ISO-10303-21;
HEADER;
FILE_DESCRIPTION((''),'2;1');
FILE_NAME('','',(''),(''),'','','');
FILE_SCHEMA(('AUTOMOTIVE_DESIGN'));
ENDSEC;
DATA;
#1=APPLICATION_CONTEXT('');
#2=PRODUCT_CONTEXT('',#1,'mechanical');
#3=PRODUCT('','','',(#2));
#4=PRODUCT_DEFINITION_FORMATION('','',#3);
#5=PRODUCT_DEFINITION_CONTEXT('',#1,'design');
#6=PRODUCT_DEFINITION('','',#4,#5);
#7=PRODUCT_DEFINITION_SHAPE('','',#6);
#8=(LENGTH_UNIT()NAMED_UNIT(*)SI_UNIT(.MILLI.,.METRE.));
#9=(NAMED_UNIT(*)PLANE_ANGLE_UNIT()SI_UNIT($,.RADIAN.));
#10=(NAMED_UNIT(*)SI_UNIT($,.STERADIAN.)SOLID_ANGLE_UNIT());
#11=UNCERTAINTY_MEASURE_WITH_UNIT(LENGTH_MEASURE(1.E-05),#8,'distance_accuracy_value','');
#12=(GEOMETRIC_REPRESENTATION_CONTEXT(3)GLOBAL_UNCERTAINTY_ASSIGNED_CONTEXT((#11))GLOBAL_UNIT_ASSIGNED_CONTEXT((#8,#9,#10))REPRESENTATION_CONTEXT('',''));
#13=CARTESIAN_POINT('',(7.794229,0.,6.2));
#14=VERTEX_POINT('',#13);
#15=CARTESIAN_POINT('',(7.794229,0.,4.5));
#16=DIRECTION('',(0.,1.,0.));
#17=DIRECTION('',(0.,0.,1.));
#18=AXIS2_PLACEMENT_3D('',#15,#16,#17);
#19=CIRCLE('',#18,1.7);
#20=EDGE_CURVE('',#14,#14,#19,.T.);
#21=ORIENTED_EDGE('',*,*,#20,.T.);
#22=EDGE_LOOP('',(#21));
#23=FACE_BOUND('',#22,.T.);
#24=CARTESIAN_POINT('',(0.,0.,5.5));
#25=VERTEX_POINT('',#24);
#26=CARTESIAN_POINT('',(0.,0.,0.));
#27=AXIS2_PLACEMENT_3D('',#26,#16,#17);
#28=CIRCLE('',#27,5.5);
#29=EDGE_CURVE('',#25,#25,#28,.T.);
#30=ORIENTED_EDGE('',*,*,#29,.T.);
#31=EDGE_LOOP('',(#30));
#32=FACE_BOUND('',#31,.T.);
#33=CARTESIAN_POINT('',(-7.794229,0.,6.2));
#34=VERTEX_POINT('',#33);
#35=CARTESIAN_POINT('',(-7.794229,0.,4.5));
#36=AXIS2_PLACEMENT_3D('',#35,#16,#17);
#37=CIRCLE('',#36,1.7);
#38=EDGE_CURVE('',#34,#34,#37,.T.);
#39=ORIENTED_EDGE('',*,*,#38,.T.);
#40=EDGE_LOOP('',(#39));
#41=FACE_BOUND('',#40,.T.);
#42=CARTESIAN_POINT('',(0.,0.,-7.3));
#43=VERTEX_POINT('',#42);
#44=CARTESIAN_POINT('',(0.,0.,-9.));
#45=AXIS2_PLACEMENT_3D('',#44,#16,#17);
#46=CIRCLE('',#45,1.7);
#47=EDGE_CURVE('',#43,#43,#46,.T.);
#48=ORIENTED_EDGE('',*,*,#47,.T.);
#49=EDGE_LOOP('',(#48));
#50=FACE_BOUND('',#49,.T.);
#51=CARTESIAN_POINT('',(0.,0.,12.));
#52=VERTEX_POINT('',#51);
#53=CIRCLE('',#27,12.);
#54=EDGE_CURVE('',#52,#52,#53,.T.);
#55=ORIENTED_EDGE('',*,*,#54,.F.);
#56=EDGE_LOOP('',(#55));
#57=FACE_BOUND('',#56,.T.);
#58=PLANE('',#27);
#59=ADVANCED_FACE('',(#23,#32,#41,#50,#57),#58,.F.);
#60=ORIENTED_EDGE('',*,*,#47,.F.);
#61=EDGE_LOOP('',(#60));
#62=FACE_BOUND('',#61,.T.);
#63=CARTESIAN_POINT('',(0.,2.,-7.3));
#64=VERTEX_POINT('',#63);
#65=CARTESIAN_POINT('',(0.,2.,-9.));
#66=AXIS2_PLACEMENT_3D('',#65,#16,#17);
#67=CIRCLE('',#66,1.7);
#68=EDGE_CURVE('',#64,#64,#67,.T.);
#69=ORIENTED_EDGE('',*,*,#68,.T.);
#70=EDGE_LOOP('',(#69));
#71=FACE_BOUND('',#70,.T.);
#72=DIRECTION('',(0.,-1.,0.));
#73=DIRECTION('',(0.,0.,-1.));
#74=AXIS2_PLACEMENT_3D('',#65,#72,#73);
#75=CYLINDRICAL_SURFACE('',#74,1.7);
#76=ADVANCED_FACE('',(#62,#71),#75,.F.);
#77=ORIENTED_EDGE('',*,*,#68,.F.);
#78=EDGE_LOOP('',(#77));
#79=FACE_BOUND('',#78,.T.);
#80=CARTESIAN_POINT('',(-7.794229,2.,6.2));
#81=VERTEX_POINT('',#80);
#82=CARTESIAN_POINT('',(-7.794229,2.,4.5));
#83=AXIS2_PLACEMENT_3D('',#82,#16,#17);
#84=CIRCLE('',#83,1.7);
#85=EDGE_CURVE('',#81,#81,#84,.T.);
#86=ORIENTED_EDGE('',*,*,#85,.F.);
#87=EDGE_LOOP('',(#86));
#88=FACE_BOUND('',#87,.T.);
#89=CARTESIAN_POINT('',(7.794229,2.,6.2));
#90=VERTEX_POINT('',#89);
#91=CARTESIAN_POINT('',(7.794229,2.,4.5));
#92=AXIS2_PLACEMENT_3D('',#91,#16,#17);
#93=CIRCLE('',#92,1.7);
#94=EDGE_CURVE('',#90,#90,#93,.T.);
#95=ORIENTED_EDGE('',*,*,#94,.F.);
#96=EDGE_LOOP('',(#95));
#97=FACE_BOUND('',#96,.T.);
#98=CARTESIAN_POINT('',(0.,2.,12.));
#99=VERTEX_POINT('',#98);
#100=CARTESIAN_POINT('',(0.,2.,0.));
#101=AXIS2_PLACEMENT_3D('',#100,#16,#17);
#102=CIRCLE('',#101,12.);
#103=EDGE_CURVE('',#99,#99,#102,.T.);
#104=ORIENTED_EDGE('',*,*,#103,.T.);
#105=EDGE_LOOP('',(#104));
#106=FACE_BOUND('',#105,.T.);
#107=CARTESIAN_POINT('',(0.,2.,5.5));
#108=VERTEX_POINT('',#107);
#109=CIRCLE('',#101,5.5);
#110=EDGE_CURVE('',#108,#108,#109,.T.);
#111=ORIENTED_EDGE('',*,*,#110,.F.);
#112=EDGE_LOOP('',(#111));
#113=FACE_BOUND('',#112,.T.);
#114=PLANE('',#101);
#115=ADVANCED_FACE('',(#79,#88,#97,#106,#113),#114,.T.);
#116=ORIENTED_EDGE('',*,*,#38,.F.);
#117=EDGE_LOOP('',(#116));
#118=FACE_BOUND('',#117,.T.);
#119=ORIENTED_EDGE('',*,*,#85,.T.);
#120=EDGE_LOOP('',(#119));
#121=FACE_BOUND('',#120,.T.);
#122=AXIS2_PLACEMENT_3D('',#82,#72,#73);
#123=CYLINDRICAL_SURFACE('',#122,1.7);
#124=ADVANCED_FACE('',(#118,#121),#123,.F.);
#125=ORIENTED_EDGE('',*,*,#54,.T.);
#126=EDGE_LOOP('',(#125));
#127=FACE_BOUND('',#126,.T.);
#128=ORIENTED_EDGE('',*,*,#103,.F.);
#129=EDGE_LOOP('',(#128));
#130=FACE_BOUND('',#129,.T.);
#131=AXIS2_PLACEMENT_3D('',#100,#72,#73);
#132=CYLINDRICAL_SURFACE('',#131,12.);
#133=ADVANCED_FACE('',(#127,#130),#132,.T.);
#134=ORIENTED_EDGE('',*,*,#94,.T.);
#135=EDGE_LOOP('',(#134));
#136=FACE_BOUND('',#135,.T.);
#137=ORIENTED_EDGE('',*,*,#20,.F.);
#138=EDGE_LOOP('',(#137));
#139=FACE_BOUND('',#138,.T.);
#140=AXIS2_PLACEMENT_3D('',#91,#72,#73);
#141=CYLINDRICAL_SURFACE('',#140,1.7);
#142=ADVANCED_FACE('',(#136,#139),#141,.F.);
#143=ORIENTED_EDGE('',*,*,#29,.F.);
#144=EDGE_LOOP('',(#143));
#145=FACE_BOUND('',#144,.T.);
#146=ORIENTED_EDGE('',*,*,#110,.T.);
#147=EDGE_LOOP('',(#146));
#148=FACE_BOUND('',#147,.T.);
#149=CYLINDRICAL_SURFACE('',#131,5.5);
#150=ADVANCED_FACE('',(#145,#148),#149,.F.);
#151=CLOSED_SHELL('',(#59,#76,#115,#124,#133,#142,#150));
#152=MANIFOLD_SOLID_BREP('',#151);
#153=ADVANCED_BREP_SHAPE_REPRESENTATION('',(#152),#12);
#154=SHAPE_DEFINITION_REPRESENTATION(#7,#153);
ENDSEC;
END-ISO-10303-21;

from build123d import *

# Parameters (mm, degrees)
SKETCH_1_R      = 12
SKETCH_1_R_2    = 1.7
SKETCH_1_R_3    = 5.5
EXTRUDE_1_DEPTH = 2


with BuildPart() as part:
    # Эскиз1 → Бобышка-Вытянуть1 (new body)
    with BuildSketch(Plane(origin=(0, 0, 0), x_dir=(1, 0, 0), z_dir=(0, 1, 0))):
        with Locations(Location((0, 0, 0), (0, 0, 270))):
            Circle(SKETCH_1_R)
        with Locations(Location((0, 9, 0), (0, 0, 270))):
            Circle(SKETCH_1_R_2, mode=Mode.SUBTRACT)
        with Locations(Location((7.794228634, -4.5, 0), (0, 0, 270))):
            Circle(SKETCH_1_R_2, mode=Mode.SUBTRACT)
        with Locations(Location((-7.794228634, -4.5, 0), (0, 0, 270))):
            Circle(SKETCH_1_R_2, mode=Mode.SUBTRACT)
        with Locations(Location((0, 0, 0), (0, 0, 270))):
            Circle(SKETCH_1_R_3, mode=Mode.SUBTRACT)
    extrude(amount=EXTRUDE_1_DEPTH)


solid = part.part
